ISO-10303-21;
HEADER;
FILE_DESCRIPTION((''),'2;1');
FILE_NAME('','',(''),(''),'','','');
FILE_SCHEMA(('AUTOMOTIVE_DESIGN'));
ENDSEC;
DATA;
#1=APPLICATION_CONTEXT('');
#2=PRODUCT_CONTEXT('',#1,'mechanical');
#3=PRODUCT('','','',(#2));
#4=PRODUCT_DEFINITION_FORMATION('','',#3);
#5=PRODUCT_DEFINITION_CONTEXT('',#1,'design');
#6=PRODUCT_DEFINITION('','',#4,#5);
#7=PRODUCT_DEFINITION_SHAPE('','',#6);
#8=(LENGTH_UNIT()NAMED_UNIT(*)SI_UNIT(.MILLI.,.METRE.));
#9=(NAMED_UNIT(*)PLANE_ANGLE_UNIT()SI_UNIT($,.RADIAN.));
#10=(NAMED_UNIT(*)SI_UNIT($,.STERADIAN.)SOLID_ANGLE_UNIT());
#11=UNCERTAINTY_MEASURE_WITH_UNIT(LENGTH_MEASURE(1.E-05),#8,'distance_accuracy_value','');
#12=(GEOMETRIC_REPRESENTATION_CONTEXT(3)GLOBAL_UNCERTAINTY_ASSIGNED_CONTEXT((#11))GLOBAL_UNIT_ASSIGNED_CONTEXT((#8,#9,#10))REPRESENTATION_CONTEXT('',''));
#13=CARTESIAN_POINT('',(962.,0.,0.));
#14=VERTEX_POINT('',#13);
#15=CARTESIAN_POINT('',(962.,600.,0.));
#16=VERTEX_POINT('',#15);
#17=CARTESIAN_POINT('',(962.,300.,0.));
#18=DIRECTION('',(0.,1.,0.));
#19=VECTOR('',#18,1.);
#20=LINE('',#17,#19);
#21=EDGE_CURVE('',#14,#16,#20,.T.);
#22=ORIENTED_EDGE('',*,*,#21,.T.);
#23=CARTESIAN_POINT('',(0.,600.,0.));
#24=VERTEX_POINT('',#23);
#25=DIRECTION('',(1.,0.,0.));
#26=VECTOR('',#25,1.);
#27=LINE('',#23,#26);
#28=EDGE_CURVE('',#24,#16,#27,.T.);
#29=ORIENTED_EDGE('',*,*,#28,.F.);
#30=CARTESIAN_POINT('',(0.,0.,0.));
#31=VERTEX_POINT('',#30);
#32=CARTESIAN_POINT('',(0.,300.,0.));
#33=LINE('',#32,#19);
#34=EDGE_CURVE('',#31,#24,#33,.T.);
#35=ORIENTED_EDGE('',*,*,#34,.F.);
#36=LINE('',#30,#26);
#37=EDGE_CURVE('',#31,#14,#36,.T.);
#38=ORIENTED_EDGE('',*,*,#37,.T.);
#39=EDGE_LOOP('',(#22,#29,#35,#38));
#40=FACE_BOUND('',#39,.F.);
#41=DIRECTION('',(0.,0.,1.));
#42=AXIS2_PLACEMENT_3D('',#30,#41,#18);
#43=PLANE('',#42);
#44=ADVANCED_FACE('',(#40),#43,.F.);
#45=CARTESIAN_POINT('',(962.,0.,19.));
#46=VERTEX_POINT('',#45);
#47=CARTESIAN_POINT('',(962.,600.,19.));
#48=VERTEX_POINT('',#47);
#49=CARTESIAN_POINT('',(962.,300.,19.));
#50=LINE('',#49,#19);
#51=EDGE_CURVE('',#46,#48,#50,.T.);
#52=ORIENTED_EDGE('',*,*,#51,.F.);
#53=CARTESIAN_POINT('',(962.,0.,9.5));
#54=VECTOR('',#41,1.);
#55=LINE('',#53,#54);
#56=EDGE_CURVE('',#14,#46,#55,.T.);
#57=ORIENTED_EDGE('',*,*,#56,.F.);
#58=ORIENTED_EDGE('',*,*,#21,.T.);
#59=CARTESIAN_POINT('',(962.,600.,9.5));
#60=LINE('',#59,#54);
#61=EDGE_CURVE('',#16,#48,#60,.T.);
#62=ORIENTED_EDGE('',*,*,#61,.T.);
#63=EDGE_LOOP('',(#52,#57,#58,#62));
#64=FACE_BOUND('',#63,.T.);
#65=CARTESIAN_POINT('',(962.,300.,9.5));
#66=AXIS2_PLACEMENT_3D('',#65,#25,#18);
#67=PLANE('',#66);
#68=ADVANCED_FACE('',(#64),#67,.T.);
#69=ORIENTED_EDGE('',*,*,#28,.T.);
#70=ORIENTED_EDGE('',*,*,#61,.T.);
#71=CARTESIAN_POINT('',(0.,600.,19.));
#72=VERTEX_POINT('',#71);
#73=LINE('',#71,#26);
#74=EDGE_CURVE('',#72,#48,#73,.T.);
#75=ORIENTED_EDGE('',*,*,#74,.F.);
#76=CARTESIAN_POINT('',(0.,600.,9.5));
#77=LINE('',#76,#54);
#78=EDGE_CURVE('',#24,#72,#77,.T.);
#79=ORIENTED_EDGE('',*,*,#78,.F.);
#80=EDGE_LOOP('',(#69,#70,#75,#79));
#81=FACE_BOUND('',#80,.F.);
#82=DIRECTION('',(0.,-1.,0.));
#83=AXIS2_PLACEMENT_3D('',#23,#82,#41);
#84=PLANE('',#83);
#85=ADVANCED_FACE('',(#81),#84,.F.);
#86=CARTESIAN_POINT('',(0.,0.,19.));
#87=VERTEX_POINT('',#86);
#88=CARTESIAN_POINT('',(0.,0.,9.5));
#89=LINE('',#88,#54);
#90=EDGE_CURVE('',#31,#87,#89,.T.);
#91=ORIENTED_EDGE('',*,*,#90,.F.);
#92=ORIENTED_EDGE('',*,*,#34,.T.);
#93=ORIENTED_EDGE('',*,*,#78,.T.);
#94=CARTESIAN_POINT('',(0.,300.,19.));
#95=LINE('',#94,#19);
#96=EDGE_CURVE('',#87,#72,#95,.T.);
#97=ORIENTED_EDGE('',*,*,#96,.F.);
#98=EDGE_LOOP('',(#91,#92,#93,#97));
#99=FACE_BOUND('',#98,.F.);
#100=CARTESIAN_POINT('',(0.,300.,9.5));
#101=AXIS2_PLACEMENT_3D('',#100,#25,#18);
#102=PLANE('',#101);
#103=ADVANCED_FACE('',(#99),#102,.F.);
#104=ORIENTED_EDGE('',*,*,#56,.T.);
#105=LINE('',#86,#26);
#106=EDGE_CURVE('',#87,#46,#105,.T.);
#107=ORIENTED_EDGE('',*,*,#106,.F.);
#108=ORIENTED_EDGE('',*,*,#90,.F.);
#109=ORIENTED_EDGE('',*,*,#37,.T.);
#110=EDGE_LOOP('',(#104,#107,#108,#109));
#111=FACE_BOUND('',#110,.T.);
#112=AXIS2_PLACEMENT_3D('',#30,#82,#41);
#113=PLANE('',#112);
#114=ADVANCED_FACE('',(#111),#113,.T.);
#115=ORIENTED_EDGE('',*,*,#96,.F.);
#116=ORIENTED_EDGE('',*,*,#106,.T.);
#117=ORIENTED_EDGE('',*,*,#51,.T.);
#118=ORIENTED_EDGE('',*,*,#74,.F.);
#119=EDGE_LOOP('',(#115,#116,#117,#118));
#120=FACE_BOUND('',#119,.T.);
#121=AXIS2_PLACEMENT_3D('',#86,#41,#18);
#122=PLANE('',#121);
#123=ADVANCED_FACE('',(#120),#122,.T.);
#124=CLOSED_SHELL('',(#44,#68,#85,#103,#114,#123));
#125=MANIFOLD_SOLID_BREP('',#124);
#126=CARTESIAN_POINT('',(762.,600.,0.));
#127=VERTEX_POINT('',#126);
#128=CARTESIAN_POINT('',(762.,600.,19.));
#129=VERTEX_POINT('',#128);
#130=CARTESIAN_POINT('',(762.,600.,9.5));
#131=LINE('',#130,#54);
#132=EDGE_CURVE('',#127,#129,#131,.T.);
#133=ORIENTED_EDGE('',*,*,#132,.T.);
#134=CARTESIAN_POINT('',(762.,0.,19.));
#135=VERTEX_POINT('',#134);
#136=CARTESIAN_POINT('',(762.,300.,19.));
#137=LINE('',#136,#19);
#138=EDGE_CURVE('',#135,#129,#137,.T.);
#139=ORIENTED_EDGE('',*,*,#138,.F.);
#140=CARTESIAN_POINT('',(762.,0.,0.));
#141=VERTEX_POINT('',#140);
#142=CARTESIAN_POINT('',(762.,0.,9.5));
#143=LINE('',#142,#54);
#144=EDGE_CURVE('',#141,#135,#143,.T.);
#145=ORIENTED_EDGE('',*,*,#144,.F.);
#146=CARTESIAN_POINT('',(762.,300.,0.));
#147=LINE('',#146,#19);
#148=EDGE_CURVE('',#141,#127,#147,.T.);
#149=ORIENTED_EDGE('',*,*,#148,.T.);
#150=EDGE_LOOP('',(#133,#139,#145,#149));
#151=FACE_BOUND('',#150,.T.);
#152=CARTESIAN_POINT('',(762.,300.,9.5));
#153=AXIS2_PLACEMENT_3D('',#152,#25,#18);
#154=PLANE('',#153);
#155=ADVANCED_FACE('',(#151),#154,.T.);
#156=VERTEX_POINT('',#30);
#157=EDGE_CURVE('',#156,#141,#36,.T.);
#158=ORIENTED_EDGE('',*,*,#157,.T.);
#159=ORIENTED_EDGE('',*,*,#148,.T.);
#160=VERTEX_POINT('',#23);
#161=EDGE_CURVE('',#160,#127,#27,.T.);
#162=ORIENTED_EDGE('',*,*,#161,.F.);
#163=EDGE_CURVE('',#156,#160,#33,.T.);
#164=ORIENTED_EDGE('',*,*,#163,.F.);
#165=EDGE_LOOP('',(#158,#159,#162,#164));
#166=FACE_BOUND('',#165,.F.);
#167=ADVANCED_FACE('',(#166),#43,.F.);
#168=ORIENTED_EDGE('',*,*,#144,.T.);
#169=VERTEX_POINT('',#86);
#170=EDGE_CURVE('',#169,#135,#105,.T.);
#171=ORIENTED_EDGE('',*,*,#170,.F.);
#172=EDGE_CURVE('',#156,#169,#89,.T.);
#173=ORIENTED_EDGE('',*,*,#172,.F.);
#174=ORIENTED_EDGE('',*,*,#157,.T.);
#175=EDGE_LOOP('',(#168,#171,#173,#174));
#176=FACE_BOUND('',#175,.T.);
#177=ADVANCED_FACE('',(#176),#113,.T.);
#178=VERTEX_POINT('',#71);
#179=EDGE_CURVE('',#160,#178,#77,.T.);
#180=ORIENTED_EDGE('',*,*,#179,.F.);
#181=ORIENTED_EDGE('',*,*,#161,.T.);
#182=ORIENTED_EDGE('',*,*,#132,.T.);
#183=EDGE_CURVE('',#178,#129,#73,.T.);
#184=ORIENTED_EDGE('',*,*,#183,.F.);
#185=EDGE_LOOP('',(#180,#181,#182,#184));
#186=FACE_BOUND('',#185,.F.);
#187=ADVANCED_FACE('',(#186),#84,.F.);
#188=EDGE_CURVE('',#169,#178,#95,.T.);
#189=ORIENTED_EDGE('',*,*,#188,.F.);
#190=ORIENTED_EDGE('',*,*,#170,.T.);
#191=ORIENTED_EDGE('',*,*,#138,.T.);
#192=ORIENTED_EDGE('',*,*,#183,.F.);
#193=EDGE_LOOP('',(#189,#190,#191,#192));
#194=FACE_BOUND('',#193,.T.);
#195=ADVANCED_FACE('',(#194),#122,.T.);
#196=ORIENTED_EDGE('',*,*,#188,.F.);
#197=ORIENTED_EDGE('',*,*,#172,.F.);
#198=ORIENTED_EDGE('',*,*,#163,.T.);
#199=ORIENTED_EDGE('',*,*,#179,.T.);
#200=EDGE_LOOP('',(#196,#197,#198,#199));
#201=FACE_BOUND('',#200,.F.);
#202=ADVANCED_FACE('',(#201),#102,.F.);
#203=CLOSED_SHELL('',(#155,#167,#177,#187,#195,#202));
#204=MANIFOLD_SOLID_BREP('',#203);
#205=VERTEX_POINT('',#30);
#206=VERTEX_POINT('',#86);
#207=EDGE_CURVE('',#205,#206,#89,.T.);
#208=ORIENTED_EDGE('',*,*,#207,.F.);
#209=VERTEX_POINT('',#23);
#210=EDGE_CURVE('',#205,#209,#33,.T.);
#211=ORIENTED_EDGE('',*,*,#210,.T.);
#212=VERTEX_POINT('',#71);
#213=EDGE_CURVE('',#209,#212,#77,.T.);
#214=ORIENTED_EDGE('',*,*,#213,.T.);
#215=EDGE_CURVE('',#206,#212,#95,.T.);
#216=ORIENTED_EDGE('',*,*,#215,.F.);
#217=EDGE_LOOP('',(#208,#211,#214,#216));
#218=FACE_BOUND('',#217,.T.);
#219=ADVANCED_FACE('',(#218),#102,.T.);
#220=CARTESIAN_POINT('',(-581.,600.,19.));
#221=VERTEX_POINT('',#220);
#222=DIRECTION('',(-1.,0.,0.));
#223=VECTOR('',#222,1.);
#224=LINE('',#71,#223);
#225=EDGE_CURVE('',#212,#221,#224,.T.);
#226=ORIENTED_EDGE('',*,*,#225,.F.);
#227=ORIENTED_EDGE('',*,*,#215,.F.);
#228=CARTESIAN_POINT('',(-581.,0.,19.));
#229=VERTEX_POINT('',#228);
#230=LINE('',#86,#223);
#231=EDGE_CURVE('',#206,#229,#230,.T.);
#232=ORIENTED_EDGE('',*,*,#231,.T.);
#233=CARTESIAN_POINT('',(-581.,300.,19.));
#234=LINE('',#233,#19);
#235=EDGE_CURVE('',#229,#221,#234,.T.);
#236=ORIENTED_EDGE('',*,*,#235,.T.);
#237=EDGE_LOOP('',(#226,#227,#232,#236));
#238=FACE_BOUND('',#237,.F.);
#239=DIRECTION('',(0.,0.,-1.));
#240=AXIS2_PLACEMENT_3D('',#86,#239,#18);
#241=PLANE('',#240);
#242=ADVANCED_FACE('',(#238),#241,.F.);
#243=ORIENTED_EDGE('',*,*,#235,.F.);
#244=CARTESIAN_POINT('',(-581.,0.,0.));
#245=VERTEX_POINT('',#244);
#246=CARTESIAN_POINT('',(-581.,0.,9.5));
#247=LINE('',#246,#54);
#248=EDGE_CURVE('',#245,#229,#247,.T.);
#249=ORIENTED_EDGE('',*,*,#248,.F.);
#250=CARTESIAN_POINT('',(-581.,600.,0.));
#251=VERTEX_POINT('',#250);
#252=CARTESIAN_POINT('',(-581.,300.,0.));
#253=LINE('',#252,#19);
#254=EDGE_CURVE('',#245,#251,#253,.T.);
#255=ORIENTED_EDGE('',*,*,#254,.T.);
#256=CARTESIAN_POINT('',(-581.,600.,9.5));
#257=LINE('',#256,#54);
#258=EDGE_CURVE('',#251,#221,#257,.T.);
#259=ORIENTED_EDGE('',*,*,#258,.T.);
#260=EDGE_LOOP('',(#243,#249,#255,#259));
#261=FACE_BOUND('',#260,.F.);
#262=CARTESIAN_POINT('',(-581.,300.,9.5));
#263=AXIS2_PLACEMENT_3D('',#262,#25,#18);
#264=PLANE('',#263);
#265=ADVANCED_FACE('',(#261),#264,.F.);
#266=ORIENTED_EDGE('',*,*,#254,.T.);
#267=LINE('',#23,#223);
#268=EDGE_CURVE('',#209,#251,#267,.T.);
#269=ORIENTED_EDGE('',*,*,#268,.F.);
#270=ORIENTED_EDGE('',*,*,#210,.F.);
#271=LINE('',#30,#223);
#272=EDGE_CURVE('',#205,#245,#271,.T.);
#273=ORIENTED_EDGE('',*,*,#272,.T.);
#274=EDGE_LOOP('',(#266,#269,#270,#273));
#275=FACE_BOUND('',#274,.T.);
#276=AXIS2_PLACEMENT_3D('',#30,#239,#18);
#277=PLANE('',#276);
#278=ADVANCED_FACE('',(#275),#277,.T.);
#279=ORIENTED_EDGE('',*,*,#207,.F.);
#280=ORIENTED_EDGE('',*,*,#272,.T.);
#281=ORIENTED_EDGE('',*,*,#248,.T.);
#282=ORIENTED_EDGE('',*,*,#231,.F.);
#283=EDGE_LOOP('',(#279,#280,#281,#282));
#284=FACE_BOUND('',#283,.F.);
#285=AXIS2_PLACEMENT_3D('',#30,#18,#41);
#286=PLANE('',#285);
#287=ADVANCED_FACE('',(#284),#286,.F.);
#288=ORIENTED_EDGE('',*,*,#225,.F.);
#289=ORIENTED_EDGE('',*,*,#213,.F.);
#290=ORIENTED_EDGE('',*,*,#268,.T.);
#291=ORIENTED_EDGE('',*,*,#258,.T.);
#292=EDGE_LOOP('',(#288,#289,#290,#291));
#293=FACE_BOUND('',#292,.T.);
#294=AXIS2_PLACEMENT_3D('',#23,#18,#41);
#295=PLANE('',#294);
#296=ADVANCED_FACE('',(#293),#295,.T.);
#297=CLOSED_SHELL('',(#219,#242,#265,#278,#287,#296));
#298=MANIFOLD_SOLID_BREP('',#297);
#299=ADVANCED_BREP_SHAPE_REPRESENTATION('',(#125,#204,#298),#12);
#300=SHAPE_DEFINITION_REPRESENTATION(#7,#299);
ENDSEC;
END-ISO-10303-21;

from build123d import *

# Parameters (mm, degrees)
F1_W     = 600
F1_H     = 19
F2_DEPTH = 762
F3_DEPTH = 581
F4_DEPTH = 962


with BuildPart() as f2:
    # F1 (on Right) → F2 (new body)
    with BuildSketch(Plane.YZ):
        with Locations((300, 9.5)):
            Rectangle(F1_W, F1_H)
    extrude(amount=F2_DEPTH)


with BuildPart() as f3:
    # F3 (new): a face of the model
    f3_faces = [f2.part.faces().sort_by_distance(p)[0] for p in [
        (0, 300, 9.5),
    ]]
    extrude(f3_faces, amount=F3_DEPTH)


with BuildPart() as f4:
    # F1 (on Right) → F4 (new body)
    with BuildSketch(Plane.YZ):
        with Locations((300, 9.5)):
            Rectangle(F1_W, F1_H)
    extrude(amount=F4_DEPTH)


solid = Compound([f2.part, f3.part, f4.part])
